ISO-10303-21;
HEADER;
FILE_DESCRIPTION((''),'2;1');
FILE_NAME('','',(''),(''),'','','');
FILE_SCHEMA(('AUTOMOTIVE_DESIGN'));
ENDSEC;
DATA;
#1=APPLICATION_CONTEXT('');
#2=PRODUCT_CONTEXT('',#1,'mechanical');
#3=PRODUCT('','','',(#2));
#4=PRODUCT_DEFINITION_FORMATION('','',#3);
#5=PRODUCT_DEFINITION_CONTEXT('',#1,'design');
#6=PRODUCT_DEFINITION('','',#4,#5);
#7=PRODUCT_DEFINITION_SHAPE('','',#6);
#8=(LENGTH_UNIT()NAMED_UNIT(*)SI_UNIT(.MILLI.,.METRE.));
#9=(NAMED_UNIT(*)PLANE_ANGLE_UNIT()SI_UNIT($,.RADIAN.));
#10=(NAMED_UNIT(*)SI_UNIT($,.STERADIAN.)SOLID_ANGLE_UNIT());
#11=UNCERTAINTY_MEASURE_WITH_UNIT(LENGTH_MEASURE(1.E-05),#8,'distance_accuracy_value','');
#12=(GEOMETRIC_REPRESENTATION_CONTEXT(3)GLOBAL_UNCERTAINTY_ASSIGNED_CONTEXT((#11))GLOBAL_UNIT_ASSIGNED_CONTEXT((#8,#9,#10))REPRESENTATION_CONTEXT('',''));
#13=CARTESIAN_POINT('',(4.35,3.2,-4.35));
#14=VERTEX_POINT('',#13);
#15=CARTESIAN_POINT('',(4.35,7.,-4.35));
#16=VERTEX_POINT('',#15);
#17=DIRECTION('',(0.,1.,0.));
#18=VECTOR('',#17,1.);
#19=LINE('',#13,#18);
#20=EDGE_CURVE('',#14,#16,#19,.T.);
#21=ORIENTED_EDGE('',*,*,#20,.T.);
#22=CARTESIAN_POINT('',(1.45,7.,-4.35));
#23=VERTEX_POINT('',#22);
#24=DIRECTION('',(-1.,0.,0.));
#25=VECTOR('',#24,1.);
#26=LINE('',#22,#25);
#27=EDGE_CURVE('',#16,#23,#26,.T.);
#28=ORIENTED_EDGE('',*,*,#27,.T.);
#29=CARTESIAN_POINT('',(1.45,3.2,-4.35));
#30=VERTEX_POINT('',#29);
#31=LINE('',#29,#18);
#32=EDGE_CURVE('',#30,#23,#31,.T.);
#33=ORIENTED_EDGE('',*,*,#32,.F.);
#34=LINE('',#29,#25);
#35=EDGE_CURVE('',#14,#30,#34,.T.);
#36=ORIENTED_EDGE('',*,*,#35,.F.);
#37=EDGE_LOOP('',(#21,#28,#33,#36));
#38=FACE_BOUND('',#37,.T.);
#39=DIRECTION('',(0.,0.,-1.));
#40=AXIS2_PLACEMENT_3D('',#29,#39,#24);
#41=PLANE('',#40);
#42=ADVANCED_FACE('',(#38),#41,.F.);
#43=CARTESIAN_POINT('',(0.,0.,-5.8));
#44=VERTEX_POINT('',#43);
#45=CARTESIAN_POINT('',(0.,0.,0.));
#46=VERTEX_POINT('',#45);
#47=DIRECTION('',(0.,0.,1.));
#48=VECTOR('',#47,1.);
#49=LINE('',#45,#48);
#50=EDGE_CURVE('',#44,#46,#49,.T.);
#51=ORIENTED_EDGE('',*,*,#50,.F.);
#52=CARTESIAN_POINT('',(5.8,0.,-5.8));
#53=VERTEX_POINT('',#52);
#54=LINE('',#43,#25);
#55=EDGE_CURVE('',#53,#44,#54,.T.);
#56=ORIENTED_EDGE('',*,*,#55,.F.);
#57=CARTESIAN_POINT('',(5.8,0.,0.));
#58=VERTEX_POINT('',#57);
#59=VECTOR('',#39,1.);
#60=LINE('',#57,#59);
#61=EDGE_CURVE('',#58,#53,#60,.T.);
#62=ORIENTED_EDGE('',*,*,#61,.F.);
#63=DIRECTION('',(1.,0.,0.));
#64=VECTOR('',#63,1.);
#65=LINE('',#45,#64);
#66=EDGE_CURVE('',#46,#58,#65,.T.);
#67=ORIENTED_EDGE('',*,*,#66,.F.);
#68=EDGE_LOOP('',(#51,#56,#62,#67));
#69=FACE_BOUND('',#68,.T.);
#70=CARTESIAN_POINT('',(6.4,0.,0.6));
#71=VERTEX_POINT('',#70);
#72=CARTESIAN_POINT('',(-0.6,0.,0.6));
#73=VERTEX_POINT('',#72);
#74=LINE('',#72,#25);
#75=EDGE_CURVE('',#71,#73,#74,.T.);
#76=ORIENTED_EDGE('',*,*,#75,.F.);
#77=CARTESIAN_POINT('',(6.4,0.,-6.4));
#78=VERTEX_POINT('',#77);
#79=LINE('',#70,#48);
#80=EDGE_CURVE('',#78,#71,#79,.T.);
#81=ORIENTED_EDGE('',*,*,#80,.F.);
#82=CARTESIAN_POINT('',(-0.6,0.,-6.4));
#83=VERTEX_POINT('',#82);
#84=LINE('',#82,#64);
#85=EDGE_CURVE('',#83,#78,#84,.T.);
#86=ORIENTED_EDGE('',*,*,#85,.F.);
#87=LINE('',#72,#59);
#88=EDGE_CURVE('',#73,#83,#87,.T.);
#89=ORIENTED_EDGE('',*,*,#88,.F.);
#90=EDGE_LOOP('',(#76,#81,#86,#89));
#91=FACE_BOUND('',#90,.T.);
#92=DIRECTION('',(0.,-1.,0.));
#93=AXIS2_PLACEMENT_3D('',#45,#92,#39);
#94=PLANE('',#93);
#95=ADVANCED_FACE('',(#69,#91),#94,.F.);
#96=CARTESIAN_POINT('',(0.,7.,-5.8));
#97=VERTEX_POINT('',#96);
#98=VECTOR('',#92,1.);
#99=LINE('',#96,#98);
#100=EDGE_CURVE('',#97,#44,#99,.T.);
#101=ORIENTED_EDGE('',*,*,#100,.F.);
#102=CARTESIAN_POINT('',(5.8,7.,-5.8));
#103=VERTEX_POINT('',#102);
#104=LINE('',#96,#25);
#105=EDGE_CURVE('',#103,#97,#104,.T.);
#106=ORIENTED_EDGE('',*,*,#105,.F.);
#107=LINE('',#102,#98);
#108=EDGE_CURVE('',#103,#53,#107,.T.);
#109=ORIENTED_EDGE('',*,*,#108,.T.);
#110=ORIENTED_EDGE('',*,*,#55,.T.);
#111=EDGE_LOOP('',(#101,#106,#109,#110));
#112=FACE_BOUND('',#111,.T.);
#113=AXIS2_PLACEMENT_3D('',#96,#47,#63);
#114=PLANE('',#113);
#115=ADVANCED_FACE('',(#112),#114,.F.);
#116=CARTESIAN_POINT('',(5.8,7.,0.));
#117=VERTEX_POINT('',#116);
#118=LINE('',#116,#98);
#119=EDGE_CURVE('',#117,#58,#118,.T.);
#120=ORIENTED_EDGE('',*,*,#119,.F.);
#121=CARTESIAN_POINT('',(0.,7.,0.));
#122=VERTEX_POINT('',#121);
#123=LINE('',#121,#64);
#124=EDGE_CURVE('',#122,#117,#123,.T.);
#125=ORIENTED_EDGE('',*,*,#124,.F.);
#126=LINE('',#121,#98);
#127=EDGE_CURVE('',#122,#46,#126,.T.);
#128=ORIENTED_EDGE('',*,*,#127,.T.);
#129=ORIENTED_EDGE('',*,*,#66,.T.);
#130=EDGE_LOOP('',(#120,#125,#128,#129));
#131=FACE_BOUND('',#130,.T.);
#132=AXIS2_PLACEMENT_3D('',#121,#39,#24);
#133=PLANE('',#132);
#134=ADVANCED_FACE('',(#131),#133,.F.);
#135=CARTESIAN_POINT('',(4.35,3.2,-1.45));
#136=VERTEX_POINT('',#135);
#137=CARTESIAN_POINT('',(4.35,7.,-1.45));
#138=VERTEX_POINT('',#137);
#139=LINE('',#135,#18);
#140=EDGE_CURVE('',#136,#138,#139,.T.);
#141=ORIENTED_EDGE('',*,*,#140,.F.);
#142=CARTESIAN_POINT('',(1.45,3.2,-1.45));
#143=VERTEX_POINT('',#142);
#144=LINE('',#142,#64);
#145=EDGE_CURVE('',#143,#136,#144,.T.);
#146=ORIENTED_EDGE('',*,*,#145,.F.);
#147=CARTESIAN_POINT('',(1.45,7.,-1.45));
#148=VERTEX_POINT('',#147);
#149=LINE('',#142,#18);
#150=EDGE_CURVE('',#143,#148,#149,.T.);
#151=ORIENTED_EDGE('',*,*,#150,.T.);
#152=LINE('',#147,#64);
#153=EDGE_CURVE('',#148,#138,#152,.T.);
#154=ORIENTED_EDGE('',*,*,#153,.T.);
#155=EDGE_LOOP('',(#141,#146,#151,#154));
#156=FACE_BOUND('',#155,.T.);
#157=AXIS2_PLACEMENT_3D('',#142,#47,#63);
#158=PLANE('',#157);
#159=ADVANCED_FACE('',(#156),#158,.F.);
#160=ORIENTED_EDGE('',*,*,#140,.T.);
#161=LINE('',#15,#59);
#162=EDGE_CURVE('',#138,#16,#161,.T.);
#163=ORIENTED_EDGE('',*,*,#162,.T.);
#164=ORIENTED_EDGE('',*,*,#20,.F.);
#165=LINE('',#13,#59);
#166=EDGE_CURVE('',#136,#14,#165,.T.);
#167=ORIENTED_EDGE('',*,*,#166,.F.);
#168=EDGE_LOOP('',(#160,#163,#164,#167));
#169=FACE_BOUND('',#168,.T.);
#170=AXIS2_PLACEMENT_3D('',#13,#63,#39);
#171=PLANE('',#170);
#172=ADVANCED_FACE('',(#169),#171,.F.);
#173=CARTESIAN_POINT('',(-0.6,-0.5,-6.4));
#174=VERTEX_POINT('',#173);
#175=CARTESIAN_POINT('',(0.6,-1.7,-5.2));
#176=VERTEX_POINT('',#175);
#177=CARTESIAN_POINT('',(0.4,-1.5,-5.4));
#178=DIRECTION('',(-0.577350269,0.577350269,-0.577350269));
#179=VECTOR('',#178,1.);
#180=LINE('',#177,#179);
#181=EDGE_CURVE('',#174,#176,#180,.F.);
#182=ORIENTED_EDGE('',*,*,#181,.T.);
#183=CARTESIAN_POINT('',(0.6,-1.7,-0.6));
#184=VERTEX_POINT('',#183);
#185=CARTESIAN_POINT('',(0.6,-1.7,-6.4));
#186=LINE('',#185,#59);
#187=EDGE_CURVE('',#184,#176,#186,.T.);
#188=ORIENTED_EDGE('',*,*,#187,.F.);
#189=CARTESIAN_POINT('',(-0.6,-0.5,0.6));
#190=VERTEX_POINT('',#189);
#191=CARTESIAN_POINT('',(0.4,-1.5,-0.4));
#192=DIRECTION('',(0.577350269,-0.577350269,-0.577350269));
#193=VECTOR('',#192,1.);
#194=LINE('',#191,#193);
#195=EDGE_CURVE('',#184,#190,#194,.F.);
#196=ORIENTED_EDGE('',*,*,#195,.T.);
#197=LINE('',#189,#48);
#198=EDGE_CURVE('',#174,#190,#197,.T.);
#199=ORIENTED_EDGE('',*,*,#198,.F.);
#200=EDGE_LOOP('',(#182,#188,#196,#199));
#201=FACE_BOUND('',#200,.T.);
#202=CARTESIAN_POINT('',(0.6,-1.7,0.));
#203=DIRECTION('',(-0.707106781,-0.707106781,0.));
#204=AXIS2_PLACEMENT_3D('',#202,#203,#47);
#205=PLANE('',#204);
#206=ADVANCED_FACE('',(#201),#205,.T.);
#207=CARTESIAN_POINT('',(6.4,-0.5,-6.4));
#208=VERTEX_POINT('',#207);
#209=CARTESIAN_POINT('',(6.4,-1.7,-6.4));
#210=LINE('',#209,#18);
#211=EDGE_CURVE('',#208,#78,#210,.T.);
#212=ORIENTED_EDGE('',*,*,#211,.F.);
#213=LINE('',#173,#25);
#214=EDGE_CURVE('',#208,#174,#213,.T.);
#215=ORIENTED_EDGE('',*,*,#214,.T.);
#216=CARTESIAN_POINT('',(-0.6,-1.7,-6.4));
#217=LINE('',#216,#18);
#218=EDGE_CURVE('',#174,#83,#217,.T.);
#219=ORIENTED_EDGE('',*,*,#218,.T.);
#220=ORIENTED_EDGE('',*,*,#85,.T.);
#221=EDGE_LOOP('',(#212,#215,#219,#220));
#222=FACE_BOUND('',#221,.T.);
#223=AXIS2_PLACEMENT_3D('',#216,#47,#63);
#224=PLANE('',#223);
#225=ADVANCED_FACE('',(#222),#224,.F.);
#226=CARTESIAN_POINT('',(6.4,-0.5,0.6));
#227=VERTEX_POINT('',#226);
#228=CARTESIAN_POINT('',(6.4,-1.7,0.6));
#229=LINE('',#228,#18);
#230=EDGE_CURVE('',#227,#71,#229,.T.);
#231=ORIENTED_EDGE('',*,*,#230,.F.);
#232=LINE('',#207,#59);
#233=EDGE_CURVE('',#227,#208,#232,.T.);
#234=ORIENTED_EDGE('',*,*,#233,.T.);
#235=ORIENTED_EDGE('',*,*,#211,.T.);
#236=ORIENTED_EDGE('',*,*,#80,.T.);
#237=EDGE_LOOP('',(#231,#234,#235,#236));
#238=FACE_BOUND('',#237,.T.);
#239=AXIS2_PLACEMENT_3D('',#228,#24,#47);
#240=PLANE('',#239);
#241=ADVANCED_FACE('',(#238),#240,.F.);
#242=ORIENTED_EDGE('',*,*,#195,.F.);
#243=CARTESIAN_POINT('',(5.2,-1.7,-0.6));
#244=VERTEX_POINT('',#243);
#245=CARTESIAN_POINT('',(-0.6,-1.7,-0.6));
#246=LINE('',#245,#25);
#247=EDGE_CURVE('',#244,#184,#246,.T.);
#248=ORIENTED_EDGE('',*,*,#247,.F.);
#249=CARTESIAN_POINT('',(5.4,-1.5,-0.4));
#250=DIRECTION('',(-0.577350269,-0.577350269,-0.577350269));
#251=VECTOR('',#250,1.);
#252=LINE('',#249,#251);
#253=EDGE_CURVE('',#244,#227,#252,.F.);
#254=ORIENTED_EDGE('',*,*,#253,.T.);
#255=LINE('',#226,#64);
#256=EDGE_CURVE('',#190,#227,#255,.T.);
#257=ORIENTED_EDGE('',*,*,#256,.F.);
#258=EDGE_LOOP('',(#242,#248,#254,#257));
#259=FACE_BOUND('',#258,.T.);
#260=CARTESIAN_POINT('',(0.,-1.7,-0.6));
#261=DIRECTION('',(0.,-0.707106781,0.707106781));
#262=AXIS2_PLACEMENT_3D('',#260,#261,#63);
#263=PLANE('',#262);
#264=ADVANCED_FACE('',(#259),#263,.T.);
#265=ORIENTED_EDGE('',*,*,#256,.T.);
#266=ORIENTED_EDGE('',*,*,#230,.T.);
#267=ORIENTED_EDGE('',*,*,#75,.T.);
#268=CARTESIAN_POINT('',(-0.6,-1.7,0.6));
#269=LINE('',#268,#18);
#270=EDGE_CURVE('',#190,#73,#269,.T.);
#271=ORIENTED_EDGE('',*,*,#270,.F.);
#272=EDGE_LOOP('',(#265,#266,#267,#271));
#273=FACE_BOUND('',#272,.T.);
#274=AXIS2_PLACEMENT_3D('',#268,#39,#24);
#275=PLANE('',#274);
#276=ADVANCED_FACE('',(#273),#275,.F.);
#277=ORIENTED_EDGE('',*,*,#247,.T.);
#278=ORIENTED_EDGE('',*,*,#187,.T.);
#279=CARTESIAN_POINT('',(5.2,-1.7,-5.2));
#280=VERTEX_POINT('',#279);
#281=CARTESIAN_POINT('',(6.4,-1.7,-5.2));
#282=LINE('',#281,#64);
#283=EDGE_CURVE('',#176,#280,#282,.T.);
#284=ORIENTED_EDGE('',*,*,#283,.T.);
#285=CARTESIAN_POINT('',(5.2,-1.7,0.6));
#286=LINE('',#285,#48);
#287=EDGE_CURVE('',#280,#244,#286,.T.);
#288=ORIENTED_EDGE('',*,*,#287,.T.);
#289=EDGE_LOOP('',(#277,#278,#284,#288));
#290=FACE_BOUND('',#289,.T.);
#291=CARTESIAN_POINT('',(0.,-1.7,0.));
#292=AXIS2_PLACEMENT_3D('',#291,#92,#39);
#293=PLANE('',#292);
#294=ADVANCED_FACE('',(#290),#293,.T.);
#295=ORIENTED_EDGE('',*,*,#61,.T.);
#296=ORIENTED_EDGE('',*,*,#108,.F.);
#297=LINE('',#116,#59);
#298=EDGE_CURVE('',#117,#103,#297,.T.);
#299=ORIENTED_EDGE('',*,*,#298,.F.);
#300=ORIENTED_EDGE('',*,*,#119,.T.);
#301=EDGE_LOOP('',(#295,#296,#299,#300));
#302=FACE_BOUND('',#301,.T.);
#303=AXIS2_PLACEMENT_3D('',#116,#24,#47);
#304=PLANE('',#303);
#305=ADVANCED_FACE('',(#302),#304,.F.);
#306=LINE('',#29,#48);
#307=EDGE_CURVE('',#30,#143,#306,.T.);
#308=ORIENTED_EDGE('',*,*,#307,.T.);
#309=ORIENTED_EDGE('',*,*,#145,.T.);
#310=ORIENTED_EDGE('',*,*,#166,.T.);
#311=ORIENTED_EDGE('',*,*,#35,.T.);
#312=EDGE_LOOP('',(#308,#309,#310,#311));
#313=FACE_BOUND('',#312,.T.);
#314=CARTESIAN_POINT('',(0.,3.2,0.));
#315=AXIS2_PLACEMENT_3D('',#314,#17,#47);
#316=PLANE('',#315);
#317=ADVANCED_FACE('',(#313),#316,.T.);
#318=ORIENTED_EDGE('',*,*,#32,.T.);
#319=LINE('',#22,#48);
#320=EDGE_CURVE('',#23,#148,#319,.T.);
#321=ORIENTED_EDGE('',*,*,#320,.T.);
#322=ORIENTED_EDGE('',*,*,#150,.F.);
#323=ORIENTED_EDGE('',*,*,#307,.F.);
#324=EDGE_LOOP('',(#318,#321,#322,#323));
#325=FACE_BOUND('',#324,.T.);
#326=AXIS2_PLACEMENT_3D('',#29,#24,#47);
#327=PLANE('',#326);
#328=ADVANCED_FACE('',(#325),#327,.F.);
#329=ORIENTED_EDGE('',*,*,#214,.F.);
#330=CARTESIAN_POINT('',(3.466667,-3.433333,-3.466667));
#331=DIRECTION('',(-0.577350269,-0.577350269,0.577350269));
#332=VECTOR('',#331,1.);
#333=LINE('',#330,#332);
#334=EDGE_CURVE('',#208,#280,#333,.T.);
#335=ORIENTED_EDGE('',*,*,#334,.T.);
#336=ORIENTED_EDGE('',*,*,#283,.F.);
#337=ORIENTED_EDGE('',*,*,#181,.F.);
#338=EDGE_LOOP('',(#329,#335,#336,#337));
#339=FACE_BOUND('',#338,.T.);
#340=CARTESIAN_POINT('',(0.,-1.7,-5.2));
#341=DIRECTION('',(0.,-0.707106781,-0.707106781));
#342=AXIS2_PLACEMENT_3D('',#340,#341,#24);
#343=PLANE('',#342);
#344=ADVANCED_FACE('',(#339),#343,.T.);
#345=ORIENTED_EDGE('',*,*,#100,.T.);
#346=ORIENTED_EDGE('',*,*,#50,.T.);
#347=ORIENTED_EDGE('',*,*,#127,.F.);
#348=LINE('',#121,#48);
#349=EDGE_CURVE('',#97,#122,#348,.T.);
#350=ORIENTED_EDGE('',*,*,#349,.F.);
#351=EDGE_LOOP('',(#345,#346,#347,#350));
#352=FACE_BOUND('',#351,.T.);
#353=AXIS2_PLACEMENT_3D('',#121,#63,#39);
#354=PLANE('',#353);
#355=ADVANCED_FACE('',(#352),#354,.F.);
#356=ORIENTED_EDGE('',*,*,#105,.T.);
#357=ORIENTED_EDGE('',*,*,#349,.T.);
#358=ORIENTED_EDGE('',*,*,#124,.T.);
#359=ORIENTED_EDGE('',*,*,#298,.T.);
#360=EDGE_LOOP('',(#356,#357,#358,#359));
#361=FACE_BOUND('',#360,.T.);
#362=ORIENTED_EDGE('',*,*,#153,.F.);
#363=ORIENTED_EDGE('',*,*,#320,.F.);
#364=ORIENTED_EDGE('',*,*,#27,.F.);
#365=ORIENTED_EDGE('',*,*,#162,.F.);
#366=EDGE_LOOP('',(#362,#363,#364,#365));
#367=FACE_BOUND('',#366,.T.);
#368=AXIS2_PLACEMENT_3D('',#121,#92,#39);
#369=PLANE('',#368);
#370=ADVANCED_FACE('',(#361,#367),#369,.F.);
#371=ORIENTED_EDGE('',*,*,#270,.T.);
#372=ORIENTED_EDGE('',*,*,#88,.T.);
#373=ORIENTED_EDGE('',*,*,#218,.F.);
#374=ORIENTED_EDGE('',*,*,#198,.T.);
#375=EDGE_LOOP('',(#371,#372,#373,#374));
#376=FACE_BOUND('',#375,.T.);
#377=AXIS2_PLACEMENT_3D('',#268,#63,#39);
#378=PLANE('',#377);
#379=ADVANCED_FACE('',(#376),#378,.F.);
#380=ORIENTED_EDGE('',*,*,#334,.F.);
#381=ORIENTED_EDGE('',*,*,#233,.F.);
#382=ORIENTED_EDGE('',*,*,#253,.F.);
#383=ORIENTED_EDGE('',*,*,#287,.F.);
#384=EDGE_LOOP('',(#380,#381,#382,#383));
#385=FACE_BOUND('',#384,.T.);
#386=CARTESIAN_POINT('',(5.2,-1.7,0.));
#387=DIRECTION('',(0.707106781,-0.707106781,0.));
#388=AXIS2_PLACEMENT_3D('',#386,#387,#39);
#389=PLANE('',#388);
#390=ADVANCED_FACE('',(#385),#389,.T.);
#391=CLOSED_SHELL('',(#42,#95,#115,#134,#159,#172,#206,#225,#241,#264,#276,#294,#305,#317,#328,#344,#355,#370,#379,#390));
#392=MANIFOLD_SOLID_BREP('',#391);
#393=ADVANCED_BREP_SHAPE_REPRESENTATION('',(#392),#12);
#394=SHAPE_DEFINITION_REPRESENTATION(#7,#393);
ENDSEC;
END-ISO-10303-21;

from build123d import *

# Parameters (mm, degrees)
SKETCH1_W           = 5.8
SKETCH1_H           = 5.8
BOSS_EXTRUDE1_DEPTH = 7
SKETCH3_W           = 2.9
SKETCH3_H           = 2.9
CUT_EXTRUDE1_DEPTH  = 3.8
SKETCH4_W           = 7
SKETCH4_H           = 7
BOSS_EXTRUDE2_DEPTH = 1.7
CHAMFER1_SIZE       = 1.2


with BuildPart() as part:
    # Sketch1 → Boss-Extrude1 (new body)
    with BuildSketch(Plane(origin=(0, 0, 0), x_dir=(1, 0, 0), z_dir=(0, 1, 0))):
        with Locations((2.9, 2.9)):
            Rectangle(SKETCH1_W, SKETCH1_H)
    extrude(amount=BOSS_EXTRUDE1_DEPTH)

    # Sketch3 → Cut-Extrude1 (cut)
    with BuildSketch(Plane(origin=(0, 7, 0), x_dir=(1, 0, 0), z_dir=(0, 1, 0))):
        with Locations((2.9, 2.9)):
            Rectangle(SKETCH3_W, SKETCH3_H)
    extrude(amount=-CUT_EXTRUDE1_DEPTH, mode=Mode.SUBTRACT)

    # Sketch4 → Boss-Extrude2 (add)
    with BuildSketch(Plane.XZ):
        with Locations((2.9, -2.9)):
            Rectangle(SKETCH4_W, SKETCH4_H)
    extrude(amount=BOSS_EXTRUDE2_DEPTH)

    # Chamfer1
    chamfer1_edges = [part.edges().sort_by_distance(p)[0] for p in [
        (-0.6, -1.7, -2.9),
        (2.9, -1.7, -6.4),
        (6.4, -1.7, -2.9),
        (2.9, -1.7, 0.6),
    ]]
    chamfer(chamfer1_edges, length=CHAMFER1_SIZE)


solid = part.part
